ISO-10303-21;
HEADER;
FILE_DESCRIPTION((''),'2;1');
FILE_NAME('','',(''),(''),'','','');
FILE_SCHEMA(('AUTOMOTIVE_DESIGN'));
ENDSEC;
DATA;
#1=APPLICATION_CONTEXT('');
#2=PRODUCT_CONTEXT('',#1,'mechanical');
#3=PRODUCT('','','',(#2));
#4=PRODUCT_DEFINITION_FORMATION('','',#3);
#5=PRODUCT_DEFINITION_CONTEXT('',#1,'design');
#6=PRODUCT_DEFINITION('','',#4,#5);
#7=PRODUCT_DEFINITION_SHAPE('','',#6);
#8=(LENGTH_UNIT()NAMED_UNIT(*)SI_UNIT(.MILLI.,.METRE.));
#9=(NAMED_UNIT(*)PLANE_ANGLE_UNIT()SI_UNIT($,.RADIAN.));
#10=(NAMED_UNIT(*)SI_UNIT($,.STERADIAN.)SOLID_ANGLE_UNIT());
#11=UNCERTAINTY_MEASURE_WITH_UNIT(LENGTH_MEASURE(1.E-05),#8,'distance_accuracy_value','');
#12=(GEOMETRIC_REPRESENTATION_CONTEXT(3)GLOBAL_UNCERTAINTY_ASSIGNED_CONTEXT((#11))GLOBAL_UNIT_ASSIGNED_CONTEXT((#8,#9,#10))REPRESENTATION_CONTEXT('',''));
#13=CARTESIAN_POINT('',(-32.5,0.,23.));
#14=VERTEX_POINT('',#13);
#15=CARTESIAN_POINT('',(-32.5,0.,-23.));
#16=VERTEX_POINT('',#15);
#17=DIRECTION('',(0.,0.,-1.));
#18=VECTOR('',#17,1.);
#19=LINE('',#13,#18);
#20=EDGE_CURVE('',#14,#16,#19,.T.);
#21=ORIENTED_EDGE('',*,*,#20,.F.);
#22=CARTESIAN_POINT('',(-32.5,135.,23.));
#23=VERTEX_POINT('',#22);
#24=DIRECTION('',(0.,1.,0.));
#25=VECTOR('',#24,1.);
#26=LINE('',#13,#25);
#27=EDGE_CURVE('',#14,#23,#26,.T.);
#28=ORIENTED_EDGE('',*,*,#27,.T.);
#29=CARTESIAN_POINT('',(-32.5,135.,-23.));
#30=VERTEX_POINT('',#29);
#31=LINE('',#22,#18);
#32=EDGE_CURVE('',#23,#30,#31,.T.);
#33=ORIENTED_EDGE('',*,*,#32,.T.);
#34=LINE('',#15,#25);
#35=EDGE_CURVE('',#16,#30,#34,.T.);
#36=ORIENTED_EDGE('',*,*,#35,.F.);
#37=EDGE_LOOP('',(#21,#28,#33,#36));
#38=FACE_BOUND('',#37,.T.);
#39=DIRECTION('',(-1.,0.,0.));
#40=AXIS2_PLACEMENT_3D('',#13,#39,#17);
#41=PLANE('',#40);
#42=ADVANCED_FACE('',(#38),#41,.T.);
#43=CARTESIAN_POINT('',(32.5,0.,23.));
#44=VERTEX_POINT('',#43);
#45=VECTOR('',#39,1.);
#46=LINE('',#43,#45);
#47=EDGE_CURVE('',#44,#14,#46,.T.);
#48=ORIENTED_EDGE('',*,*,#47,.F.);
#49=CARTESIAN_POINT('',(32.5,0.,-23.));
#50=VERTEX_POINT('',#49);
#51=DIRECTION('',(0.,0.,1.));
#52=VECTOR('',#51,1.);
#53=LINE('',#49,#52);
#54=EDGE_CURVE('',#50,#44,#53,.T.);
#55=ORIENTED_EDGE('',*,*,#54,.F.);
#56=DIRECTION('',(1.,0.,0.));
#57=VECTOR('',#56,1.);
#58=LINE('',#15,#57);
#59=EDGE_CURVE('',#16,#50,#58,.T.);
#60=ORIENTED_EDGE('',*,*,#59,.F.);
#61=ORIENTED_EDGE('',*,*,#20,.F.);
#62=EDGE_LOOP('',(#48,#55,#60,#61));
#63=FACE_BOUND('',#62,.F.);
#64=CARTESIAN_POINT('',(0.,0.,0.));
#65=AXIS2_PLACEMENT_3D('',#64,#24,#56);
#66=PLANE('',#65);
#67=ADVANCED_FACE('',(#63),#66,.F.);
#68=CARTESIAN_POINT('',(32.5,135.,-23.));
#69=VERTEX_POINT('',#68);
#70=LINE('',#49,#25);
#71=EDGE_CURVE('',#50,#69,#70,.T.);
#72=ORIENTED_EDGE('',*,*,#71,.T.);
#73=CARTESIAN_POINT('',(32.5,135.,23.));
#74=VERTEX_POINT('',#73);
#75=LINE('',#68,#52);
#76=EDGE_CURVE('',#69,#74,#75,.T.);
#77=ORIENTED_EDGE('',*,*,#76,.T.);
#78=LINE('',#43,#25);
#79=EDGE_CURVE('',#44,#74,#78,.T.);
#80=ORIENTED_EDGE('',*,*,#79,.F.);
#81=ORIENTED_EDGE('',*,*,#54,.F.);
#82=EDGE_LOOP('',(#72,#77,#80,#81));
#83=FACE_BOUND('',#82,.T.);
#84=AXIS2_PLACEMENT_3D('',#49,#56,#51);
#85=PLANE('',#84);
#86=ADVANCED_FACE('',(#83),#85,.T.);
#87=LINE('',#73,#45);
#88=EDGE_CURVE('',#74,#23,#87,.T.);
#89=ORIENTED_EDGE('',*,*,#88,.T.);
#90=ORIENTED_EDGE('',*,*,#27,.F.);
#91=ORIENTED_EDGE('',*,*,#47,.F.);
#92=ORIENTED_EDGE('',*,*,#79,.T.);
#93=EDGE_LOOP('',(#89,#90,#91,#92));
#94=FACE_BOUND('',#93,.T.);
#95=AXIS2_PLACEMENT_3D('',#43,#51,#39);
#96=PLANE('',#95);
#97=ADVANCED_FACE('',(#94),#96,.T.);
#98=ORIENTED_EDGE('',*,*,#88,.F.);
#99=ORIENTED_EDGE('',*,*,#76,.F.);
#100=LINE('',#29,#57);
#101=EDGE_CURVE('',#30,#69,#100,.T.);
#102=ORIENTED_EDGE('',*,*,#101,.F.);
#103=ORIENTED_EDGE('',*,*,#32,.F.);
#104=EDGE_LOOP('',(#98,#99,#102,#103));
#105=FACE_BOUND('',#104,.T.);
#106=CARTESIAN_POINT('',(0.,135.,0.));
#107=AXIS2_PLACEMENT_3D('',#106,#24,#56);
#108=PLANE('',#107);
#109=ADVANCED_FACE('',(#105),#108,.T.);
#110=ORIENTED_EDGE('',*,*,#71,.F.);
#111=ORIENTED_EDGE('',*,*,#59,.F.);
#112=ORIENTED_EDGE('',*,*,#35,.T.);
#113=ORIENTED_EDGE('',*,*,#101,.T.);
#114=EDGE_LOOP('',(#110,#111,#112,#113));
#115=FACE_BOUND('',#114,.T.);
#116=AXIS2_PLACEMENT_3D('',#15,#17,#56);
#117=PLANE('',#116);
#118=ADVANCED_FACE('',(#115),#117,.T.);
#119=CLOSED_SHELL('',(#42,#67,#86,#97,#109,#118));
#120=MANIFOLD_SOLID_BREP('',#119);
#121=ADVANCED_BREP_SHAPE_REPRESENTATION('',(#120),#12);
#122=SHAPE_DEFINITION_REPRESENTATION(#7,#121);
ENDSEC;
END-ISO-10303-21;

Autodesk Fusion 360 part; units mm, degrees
sketch "Sketch1" plane through (0, 0, 0) normal (0, 1, 0) x (1, 0, 0)
  line L0 (-32.5, 23) -> (32.5, 23)
  line L1 (32.5, 23) -> (32.5, -23)
  line L2 (32.5, -23) -> (-32.5, -23)
  line L3 (-32.5, -23) -> (-32.5, 23)
  line L4 (-32.5, 23) -> (32.5, -23) construction
  line L5 (32.5, 23) -> (-32.5, -23) construction
  dimension "d1" = 46
  dimension "d2" = 65
extrude "Extrude1" add sketch "Sketch1" along normal blind 135
